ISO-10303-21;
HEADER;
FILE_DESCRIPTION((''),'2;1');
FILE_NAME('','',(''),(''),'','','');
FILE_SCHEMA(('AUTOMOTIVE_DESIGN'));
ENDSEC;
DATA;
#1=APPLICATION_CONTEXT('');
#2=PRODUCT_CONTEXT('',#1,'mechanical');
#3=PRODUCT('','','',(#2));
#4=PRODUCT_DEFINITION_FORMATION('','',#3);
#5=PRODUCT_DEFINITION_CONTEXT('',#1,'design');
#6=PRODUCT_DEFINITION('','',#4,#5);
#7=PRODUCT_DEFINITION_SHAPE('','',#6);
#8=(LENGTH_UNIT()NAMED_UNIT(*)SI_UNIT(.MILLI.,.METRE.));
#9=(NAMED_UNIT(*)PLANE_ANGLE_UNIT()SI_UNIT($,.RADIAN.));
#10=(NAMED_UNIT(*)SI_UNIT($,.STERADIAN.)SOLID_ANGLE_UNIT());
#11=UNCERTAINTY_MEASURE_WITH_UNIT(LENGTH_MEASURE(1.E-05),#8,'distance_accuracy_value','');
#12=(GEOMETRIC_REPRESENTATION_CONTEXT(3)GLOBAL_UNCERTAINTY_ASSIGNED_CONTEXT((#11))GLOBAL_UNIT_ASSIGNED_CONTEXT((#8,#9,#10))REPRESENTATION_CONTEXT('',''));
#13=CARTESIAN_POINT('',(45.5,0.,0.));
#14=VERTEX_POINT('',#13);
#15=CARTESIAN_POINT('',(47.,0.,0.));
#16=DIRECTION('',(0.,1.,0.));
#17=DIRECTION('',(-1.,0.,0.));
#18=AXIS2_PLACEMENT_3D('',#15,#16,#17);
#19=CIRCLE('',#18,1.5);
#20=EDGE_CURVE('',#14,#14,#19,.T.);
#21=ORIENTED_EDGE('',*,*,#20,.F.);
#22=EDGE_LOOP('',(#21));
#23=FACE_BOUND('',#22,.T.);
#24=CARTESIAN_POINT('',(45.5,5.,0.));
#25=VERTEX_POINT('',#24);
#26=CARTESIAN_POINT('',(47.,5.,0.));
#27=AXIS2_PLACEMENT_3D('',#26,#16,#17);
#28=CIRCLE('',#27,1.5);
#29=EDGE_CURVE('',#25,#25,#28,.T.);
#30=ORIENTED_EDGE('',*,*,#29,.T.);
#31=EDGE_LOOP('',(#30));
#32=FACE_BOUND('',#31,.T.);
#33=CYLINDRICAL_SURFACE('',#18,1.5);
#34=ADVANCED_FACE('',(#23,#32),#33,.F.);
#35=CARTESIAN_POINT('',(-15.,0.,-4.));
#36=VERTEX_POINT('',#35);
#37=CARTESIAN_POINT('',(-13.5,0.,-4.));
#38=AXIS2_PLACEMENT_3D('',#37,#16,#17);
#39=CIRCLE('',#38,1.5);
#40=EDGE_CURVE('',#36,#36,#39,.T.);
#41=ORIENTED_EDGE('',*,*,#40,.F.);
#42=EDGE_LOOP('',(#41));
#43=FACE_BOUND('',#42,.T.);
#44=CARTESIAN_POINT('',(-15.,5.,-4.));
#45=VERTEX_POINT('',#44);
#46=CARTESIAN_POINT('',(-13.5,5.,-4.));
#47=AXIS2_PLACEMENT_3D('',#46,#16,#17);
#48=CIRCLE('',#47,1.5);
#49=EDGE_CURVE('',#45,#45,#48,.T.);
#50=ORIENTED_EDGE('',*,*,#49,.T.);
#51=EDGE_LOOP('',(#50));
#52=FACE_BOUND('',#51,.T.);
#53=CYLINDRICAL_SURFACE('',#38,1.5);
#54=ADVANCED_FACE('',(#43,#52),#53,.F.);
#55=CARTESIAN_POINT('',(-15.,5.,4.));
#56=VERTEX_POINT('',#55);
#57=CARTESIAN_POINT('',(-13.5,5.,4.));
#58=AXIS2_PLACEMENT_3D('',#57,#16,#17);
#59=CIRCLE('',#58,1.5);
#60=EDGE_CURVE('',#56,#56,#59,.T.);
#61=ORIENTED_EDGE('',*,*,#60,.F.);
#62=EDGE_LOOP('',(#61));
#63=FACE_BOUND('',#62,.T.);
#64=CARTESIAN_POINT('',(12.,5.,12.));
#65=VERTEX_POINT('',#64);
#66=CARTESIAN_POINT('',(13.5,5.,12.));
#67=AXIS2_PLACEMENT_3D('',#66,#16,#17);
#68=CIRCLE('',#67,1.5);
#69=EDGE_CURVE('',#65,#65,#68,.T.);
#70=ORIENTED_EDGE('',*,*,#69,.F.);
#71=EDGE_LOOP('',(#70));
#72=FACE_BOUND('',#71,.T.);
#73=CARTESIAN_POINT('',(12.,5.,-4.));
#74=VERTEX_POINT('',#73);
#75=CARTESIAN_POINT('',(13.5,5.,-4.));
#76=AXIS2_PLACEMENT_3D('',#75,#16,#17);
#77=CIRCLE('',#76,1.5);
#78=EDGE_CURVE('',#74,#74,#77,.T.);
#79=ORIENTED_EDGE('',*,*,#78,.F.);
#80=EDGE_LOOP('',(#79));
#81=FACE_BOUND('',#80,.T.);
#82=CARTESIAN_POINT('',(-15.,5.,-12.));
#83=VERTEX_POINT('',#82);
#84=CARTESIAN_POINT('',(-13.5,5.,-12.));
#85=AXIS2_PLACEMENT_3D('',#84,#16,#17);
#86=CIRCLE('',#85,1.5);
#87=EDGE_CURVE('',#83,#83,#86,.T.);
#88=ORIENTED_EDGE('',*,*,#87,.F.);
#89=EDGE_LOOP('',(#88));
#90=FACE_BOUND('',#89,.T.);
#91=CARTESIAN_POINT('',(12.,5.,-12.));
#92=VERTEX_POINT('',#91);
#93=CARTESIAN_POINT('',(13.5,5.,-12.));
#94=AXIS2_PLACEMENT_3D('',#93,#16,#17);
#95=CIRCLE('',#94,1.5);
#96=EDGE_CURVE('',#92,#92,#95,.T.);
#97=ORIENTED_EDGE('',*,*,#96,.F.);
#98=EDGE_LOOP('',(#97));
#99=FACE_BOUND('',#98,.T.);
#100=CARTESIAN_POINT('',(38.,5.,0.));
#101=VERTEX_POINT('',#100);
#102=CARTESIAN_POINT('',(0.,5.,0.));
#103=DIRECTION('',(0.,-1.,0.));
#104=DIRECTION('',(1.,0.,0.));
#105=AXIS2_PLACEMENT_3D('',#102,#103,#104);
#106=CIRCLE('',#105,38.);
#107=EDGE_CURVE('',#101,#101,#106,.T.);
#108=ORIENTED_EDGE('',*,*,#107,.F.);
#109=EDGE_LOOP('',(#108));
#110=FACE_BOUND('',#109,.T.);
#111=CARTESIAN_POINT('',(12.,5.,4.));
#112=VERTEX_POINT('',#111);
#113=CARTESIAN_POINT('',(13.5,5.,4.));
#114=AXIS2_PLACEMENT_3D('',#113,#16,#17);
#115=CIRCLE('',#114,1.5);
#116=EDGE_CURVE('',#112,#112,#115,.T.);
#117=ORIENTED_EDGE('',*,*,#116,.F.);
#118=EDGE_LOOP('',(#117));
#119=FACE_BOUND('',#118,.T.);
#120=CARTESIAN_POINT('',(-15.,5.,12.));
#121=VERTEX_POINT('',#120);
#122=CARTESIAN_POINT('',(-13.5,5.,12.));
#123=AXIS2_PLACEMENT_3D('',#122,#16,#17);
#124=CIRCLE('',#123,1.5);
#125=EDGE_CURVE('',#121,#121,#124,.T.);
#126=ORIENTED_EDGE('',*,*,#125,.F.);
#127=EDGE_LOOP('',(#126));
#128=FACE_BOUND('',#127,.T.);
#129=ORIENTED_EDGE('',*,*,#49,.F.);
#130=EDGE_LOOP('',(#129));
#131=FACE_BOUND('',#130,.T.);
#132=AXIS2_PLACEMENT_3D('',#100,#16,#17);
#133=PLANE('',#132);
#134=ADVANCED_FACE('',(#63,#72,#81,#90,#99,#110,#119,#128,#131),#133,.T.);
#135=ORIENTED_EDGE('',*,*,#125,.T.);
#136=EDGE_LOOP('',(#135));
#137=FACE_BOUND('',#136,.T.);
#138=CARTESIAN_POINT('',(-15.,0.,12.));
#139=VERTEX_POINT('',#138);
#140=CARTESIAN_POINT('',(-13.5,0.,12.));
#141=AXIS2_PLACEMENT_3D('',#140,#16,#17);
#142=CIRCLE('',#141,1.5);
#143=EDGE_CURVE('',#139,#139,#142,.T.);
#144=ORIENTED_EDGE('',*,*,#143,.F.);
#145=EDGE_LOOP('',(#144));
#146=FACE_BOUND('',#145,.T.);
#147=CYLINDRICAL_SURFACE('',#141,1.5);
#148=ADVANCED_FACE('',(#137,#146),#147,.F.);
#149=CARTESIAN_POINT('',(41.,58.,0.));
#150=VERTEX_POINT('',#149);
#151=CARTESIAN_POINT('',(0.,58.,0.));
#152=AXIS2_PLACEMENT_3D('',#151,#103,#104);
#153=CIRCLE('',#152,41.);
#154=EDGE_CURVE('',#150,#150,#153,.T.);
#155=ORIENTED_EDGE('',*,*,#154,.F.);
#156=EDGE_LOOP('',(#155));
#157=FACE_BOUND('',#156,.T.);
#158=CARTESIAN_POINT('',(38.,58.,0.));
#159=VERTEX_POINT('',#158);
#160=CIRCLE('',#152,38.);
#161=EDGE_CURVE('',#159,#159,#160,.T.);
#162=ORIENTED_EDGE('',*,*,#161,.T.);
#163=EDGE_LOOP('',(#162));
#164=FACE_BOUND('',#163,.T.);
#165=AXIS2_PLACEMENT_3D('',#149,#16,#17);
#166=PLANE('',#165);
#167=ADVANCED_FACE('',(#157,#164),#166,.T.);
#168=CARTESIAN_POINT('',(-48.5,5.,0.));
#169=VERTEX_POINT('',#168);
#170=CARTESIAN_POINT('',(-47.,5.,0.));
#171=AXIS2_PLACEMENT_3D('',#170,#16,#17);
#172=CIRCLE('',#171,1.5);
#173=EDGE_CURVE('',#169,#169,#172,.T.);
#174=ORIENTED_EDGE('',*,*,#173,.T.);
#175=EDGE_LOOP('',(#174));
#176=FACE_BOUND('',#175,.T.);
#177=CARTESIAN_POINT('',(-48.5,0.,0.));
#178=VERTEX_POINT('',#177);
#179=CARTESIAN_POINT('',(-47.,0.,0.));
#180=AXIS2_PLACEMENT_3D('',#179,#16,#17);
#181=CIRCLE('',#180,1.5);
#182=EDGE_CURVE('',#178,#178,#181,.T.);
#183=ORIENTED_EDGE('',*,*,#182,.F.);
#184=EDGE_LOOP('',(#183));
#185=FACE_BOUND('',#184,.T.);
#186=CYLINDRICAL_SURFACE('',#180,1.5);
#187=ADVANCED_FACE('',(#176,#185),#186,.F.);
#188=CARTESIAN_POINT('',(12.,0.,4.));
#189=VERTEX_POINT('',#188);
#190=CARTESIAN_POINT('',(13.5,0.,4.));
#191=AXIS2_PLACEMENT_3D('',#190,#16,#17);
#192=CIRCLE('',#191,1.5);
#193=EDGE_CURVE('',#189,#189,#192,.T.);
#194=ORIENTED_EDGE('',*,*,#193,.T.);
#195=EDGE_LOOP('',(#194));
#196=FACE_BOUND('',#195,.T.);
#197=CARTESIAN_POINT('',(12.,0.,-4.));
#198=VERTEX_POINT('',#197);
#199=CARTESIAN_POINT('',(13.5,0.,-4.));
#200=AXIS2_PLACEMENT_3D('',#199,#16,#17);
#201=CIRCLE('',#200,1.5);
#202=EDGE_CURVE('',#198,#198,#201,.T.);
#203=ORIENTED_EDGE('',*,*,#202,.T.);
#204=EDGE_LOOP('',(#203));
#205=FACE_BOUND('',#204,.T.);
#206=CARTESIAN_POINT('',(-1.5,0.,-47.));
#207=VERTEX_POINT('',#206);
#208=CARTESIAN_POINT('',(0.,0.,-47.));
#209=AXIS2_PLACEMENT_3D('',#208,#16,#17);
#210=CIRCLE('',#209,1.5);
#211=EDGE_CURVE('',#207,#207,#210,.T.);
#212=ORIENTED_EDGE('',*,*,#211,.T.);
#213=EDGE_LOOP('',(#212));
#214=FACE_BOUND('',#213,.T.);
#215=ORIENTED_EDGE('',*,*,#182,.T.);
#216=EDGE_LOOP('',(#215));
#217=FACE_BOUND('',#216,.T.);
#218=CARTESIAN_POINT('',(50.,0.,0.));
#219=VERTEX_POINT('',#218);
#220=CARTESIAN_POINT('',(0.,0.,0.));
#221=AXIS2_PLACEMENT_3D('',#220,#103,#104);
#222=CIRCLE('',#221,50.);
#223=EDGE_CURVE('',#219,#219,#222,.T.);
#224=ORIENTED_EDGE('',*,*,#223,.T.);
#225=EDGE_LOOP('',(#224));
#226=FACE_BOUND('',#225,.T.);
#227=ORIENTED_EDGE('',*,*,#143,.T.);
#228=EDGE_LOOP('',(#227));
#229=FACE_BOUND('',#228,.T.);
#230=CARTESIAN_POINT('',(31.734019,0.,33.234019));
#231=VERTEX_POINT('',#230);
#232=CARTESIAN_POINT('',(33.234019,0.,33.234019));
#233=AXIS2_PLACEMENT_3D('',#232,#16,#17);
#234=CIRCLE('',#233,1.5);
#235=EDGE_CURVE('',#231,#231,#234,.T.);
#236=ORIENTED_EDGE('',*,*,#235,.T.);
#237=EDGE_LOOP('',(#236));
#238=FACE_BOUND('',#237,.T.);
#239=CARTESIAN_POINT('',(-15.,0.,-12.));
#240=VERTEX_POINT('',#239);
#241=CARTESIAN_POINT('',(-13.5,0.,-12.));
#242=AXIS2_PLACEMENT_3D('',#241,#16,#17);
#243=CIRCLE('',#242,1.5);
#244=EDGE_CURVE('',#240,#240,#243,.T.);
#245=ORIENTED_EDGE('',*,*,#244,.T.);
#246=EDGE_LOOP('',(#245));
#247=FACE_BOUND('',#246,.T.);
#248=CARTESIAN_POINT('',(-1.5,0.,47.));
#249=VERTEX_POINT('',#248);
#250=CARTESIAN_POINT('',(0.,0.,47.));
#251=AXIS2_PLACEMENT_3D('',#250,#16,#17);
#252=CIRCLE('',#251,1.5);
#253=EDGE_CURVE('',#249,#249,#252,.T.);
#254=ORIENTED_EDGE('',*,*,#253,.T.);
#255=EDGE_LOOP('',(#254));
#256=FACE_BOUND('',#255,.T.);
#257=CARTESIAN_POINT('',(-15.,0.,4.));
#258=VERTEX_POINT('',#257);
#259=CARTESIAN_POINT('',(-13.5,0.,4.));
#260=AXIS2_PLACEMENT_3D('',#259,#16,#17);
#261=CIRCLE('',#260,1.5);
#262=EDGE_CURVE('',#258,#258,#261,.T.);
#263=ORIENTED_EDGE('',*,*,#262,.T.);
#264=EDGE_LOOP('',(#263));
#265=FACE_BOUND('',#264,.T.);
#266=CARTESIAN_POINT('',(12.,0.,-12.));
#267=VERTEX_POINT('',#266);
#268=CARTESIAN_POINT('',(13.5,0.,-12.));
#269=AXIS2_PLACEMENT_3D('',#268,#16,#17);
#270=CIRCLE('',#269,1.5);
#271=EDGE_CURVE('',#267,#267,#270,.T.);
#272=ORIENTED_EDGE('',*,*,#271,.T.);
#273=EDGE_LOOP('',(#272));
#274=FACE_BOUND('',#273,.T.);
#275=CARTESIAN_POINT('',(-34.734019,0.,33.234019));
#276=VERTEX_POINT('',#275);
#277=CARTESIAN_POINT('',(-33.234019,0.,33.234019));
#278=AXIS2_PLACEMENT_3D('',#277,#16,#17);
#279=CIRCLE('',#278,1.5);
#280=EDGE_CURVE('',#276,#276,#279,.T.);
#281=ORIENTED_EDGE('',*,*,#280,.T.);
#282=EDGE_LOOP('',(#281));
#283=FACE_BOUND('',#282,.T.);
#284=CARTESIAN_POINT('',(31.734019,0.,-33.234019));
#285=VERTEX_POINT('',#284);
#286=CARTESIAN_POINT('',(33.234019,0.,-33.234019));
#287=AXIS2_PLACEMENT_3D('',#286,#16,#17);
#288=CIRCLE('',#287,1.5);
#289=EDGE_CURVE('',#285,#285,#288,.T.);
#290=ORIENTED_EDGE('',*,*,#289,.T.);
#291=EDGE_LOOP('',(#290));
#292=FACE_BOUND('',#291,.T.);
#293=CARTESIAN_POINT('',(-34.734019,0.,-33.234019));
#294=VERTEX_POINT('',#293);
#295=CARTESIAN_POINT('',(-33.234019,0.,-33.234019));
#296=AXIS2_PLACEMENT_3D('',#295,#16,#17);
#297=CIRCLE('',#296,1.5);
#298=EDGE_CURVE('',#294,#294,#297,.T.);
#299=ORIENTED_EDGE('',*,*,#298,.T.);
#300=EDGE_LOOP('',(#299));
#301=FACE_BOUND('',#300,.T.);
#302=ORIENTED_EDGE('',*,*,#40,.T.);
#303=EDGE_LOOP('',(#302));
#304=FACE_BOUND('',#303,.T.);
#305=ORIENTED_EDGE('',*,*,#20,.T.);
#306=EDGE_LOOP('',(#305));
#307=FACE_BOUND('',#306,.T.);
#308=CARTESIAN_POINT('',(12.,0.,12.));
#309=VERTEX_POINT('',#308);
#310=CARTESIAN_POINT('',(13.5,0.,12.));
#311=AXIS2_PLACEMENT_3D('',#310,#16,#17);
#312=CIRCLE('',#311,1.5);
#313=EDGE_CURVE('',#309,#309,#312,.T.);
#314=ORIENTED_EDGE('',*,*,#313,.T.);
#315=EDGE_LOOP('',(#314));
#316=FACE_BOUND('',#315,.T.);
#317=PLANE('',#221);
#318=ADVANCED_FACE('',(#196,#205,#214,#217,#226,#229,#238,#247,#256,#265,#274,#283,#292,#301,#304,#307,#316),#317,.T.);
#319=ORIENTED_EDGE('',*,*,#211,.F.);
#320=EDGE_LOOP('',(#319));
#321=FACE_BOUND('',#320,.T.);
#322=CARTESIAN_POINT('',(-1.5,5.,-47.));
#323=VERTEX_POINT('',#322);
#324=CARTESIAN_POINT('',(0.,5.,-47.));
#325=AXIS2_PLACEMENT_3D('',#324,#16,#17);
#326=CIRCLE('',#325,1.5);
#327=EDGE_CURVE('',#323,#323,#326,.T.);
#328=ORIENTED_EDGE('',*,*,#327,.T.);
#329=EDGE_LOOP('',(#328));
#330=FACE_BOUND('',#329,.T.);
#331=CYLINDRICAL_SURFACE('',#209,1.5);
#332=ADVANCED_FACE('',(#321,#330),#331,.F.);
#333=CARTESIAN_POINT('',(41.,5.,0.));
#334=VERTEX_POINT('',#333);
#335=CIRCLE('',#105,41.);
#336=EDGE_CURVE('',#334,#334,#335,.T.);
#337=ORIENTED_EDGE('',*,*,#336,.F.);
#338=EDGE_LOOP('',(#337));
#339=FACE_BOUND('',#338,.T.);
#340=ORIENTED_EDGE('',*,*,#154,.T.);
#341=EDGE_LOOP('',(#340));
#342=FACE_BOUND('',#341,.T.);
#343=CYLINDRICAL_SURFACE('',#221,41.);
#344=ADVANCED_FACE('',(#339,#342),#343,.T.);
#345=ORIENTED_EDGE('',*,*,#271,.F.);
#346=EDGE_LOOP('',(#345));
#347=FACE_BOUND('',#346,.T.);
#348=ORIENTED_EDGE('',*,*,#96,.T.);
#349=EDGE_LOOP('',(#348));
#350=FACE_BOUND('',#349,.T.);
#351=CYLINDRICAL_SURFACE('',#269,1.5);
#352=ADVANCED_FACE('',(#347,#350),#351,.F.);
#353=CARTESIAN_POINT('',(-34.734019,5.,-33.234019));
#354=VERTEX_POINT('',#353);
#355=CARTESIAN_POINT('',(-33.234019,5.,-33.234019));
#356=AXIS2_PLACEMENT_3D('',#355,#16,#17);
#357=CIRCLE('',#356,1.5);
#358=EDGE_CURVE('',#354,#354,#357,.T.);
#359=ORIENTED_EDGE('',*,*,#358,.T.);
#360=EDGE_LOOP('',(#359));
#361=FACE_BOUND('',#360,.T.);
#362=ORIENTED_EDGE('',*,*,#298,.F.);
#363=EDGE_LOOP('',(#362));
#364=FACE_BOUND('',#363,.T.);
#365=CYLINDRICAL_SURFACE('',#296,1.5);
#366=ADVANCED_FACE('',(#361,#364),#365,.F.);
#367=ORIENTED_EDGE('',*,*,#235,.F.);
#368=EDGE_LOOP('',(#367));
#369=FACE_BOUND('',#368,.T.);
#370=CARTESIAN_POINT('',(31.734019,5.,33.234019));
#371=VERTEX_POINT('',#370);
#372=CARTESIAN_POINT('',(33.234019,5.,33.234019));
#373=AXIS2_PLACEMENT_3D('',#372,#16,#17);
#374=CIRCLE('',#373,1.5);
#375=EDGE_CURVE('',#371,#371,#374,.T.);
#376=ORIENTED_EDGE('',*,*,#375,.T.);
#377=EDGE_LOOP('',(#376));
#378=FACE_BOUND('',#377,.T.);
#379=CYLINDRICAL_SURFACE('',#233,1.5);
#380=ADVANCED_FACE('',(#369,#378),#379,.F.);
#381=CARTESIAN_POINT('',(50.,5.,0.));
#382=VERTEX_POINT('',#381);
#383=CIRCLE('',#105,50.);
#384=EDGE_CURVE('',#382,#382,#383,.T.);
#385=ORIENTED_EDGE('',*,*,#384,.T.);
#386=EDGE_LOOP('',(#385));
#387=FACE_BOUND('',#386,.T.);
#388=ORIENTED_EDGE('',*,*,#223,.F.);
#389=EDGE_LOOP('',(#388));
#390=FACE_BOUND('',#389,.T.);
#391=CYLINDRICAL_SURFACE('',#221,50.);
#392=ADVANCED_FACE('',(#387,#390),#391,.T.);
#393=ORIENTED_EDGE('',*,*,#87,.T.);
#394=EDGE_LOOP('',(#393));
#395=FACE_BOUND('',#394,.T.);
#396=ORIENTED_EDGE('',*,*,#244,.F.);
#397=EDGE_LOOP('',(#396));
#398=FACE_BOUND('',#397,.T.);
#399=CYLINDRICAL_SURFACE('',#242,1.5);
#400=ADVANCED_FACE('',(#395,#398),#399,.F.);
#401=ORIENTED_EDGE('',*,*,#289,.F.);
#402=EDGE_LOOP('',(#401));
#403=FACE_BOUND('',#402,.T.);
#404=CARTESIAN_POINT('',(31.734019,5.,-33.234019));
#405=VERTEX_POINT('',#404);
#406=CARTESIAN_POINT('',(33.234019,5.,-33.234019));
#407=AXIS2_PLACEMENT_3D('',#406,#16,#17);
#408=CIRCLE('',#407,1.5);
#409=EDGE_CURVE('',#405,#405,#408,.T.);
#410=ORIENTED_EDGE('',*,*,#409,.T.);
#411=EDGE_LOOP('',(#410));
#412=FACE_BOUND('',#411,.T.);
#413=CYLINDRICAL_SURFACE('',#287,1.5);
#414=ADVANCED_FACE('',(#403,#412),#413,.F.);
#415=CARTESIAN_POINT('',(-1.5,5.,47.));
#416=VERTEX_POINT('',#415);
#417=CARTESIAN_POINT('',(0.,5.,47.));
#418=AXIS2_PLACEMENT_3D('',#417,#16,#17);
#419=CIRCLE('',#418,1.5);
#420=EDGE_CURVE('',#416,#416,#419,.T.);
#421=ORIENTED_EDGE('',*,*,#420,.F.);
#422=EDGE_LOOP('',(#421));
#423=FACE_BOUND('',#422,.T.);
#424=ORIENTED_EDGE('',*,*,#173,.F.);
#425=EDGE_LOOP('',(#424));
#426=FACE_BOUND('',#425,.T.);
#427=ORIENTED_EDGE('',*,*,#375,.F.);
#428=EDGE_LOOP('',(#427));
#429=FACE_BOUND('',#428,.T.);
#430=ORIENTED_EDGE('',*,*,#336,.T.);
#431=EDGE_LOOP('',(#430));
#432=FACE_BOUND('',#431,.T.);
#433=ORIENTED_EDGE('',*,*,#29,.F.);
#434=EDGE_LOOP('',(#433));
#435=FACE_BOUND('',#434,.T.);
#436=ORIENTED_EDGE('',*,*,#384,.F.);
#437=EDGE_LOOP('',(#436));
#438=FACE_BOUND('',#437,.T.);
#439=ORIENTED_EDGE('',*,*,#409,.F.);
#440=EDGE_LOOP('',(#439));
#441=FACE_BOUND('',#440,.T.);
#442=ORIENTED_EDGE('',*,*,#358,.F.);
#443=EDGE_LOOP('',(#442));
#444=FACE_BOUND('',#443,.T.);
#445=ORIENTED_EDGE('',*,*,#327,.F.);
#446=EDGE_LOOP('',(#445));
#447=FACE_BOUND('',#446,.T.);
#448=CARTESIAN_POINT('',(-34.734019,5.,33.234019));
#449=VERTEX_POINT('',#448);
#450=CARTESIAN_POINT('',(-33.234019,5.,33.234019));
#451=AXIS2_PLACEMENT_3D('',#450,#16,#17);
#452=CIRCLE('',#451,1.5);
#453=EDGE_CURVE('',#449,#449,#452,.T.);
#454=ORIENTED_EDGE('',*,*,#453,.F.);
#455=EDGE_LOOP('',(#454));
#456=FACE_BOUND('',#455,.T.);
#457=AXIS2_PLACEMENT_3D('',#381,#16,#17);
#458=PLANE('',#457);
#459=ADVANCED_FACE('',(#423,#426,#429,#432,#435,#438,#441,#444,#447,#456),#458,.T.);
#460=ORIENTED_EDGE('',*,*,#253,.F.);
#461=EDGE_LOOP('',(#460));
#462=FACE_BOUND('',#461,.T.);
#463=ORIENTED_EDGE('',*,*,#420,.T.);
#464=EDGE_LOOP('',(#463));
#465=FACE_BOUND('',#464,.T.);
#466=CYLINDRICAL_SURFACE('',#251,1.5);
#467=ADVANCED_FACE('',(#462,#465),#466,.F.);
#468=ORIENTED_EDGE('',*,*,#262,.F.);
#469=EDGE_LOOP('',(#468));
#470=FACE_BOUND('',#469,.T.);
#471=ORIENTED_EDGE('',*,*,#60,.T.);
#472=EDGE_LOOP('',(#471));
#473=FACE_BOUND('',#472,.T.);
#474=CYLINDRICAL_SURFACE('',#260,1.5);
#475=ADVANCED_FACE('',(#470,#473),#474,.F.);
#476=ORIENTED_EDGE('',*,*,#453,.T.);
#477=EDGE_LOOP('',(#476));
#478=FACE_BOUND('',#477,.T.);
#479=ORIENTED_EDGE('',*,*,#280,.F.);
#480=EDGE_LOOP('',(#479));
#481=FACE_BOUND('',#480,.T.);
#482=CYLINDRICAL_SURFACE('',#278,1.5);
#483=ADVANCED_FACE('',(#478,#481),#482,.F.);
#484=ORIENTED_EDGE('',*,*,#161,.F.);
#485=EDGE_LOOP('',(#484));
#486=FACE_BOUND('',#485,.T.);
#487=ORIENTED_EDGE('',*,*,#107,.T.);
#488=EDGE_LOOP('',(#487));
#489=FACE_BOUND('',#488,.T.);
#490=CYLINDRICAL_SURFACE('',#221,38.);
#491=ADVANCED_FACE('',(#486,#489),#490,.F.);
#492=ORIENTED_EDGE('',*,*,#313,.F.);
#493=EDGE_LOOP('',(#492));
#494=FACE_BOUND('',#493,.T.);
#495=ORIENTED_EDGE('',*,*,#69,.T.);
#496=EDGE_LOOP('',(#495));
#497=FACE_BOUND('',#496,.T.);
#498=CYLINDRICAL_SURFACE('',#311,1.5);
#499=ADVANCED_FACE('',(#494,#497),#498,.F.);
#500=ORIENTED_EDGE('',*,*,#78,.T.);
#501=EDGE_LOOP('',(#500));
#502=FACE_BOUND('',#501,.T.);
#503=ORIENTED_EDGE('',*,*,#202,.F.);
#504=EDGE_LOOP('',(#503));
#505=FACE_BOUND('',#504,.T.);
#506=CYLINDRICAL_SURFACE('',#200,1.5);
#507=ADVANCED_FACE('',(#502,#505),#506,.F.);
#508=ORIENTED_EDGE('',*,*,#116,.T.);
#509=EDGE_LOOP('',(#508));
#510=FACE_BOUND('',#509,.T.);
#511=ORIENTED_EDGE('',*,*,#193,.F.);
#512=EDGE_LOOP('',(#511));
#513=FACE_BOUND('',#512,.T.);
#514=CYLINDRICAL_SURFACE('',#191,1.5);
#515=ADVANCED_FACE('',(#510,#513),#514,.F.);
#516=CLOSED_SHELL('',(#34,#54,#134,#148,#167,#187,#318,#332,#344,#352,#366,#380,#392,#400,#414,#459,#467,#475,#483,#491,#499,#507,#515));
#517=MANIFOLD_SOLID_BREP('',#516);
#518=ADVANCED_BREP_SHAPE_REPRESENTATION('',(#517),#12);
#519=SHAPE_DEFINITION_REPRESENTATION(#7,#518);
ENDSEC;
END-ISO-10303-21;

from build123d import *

# Parameters (mm, degrees)
SKETCH3_R          = 1.5
CUT_EXTRUDE1_DEPTH = 89.36854644


with BuildPart() as part:
    # Sketch2 → Revolve1 (revolve)
    with BuildSketch(Plane.XY):
        Polygon((0, 5), (0, 0), (50, 0), (50, 5), (41, 5), (41, 58), (38, 58), (38, 5), align=None)
    revolve(axis=Axis((0, 0, 0), (0, 1, 0)))

    # Sketch3 → Cut-Extrude1 (cut, through all)
    with BuildSketch(Plane(origin=(0, 5, 0), x_dir=(1, 0, 0), z_dir=(0, 1, 0))):
        with Locations(Location((-13.5, 4, 0), (0, 0, 180))):
            Circle(SKETCH3_R)
        with Locations(Location((13.5, 4, 0), (0, 0, 180))):
            Circle(SKETCH3_R)
        with Locations(Location((-13.5, -4, 0), (0, 0, 180))):
            Circle(SKETCH3_R)
        with Locations(Location((-13.5, -12, 0), (0, 0, 180))):
            Circle(SKETCH3_R)
        with Locations(Location((13.5, -4, 0), (0, 0, 180))):
            Circle(SKETCH3_R)
        with Locations(Location((13.5, -12, 0), (0, 0, 180))):
            Circle(SKETCH3_R)
        with Locations(Location((-13.5, 12, 0), (0, 0, 180))):
            Circle(SKETCH3_R)
        with Locations(Location((13.5, 12, 0), (0, 0, 180))):
            Circle(SKETCH3_R)
        with Locations(Location((0, -47, 0), (0, 0, 180))):
            Circle(SKETCH3_R)
        with Locations(Location((-33.234018716, -33.234018716, 0), (0, 0, 180))):
            Circle(SKETCH3_R)
        with Locations(Location((-47, 0, 0), (0, 0, 180))):
            Circle(SKETCH3_R)
        with Locations(Location((-33.234018716, 33.234018716, 0), (0, 0, 180))):
            Circle(SKETCH3_R)
        with Locations(Location((0, 47, 0), (0, 0, 180))):
            Circle(SKETCH3_R)
        with Locations(Location((33.234018716, 33.234018716, 0), (0, 0, 180))):
            Circle(SKETCH3_R)
        with Locations(Location((47, 0, 0), (0, 0, 180))):
            Circle(SKETCH3_R)
        with Locations(Location((33.234018716, -33.234018716, 0), (0, 0, 180))):
            Circle(SKETCH3_R)
    extrude(amount=-CUT_EXTRUDE1_DEPTH, mode=Mode.SUBTRACT)


solid = part.part
